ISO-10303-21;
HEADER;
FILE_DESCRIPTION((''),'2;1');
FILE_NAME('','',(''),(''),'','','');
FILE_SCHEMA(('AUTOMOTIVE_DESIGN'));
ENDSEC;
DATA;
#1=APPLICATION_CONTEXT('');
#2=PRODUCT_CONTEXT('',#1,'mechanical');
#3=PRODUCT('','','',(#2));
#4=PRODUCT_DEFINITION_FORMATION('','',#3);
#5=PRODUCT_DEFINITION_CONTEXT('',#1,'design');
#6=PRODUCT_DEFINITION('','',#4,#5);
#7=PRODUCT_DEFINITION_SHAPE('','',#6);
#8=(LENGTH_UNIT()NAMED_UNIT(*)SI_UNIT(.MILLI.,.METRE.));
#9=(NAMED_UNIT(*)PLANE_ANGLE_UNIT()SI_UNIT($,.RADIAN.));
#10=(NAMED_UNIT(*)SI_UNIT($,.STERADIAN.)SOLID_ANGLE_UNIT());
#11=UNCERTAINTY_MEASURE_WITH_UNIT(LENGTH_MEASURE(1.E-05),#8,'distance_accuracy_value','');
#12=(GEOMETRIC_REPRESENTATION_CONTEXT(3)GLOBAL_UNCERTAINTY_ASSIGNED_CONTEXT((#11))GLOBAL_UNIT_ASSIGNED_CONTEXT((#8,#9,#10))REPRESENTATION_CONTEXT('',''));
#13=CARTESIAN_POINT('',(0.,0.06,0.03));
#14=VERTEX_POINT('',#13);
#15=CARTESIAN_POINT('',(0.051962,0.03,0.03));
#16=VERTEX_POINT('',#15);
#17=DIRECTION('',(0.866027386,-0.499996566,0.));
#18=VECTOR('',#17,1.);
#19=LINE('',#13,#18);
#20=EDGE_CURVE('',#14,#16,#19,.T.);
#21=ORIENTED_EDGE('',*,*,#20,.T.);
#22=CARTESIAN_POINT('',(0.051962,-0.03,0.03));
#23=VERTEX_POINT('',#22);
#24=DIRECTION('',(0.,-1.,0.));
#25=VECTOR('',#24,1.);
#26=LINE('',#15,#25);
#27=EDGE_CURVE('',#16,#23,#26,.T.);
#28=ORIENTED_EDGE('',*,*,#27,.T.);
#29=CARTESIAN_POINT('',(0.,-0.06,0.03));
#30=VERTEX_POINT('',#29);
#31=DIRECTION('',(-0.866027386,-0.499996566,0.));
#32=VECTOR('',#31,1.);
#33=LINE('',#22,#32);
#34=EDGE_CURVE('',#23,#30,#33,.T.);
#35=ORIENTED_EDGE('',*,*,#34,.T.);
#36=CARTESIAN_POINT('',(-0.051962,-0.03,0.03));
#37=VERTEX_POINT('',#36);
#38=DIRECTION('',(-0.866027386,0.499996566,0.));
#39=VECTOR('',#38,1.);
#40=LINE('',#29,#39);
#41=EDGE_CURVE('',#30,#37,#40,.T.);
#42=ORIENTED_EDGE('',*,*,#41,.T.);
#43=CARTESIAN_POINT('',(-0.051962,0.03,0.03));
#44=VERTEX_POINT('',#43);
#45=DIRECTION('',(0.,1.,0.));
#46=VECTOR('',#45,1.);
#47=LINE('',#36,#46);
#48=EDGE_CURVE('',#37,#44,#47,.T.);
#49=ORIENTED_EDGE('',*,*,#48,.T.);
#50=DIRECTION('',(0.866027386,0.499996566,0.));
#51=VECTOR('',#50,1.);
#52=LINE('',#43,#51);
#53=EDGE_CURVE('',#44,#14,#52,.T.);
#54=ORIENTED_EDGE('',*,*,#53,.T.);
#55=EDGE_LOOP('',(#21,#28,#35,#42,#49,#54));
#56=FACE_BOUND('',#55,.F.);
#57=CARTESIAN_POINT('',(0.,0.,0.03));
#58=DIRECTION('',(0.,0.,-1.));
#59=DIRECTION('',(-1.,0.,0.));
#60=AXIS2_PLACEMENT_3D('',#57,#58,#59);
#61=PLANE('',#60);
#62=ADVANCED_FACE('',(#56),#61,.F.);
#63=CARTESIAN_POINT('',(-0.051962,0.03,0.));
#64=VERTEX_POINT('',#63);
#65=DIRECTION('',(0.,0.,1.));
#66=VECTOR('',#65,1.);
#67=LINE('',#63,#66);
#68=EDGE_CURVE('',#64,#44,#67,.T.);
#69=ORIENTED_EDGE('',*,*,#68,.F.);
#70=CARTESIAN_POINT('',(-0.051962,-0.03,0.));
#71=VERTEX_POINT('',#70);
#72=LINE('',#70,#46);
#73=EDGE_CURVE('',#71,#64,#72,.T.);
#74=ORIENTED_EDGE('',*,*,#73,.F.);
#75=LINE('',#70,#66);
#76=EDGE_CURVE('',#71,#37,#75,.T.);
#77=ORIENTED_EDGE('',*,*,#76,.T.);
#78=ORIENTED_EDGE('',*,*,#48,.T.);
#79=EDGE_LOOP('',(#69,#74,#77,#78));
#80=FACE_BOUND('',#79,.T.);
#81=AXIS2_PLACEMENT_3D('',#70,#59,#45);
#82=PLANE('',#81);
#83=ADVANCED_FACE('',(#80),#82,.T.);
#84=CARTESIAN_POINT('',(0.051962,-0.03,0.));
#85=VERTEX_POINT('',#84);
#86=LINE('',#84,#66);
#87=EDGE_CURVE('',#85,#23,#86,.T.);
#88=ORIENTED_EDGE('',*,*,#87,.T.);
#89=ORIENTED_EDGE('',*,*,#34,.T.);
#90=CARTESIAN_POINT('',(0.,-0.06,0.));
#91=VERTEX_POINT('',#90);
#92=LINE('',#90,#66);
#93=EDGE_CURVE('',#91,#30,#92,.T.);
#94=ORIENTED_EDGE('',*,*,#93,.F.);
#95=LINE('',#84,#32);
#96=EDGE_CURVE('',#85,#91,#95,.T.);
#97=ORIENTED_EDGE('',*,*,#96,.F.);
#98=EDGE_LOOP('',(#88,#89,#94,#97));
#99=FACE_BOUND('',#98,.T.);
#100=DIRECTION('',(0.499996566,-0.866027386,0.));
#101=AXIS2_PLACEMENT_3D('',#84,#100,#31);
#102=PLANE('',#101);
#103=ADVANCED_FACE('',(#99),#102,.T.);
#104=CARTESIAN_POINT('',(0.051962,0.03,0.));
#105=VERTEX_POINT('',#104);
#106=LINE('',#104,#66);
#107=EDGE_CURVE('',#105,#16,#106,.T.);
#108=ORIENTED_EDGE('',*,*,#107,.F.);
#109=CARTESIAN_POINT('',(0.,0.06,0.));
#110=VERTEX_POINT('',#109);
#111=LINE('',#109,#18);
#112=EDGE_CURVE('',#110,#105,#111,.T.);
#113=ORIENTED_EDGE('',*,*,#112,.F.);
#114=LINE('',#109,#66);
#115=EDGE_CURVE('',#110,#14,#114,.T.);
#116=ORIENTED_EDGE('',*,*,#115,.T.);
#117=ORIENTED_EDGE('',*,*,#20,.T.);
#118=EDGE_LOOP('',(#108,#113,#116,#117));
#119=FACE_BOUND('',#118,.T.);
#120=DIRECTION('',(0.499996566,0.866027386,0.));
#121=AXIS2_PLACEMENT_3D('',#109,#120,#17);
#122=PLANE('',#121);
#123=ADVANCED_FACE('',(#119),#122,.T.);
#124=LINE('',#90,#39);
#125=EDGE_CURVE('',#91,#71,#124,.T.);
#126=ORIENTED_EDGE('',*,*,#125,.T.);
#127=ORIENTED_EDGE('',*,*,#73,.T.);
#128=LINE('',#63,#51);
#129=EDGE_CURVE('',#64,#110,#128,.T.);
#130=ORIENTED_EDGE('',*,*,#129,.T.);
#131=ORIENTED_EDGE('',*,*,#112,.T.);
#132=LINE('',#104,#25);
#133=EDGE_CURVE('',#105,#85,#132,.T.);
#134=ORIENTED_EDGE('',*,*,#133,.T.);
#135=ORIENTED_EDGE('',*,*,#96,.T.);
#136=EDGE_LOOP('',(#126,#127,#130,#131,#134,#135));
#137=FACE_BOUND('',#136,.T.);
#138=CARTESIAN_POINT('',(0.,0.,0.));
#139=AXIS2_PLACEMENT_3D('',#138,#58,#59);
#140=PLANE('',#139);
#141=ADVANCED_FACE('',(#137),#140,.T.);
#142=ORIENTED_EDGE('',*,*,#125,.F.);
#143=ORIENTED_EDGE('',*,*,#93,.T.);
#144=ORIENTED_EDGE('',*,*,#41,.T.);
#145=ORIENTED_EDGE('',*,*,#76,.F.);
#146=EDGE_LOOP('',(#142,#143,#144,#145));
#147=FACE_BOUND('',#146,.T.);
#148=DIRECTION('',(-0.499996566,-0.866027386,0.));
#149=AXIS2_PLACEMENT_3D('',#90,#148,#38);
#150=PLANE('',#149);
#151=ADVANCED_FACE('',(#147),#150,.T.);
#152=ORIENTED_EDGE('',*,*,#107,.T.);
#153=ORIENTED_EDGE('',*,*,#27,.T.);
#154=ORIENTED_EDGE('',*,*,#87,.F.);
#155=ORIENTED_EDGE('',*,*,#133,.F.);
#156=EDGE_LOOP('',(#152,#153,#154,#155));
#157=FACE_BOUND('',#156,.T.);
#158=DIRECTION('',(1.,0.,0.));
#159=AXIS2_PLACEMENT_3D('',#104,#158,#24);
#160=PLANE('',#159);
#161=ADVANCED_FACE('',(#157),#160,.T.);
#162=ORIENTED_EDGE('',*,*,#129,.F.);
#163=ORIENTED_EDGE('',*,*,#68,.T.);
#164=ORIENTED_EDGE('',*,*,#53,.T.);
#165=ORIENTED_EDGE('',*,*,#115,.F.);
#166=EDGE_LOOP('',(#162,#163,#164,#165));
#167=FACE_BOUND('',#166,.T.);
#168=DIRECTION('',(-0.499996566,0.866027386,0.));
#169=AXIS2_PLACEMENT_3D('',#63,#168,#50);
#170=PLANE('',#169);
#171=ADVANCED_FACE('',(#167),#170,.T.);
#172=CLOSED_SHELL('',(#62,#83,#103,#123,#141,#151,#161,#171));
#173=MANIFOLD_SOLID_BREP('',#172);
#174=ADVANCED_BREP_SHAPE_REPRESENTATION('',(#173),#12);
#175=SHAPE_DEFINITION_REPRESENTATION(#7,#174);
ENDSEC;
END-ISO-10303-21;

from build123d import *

# Parameters (mm, degrees)
PAD_DEPTH = 0.03


with BuildPart() as part:
    # Sketch001 → Pad (new body)
    with BuildSketch(Plane.XY):
        Polygon((0.051962, 0.03), (0.051962, -0.03), (0, -0.06), (-0.051962, -0.03), (-0.051962, 0.03), (0, 0.06), align=None)
    extrude(amount=PAD_DEPTH)


solid = part.part
